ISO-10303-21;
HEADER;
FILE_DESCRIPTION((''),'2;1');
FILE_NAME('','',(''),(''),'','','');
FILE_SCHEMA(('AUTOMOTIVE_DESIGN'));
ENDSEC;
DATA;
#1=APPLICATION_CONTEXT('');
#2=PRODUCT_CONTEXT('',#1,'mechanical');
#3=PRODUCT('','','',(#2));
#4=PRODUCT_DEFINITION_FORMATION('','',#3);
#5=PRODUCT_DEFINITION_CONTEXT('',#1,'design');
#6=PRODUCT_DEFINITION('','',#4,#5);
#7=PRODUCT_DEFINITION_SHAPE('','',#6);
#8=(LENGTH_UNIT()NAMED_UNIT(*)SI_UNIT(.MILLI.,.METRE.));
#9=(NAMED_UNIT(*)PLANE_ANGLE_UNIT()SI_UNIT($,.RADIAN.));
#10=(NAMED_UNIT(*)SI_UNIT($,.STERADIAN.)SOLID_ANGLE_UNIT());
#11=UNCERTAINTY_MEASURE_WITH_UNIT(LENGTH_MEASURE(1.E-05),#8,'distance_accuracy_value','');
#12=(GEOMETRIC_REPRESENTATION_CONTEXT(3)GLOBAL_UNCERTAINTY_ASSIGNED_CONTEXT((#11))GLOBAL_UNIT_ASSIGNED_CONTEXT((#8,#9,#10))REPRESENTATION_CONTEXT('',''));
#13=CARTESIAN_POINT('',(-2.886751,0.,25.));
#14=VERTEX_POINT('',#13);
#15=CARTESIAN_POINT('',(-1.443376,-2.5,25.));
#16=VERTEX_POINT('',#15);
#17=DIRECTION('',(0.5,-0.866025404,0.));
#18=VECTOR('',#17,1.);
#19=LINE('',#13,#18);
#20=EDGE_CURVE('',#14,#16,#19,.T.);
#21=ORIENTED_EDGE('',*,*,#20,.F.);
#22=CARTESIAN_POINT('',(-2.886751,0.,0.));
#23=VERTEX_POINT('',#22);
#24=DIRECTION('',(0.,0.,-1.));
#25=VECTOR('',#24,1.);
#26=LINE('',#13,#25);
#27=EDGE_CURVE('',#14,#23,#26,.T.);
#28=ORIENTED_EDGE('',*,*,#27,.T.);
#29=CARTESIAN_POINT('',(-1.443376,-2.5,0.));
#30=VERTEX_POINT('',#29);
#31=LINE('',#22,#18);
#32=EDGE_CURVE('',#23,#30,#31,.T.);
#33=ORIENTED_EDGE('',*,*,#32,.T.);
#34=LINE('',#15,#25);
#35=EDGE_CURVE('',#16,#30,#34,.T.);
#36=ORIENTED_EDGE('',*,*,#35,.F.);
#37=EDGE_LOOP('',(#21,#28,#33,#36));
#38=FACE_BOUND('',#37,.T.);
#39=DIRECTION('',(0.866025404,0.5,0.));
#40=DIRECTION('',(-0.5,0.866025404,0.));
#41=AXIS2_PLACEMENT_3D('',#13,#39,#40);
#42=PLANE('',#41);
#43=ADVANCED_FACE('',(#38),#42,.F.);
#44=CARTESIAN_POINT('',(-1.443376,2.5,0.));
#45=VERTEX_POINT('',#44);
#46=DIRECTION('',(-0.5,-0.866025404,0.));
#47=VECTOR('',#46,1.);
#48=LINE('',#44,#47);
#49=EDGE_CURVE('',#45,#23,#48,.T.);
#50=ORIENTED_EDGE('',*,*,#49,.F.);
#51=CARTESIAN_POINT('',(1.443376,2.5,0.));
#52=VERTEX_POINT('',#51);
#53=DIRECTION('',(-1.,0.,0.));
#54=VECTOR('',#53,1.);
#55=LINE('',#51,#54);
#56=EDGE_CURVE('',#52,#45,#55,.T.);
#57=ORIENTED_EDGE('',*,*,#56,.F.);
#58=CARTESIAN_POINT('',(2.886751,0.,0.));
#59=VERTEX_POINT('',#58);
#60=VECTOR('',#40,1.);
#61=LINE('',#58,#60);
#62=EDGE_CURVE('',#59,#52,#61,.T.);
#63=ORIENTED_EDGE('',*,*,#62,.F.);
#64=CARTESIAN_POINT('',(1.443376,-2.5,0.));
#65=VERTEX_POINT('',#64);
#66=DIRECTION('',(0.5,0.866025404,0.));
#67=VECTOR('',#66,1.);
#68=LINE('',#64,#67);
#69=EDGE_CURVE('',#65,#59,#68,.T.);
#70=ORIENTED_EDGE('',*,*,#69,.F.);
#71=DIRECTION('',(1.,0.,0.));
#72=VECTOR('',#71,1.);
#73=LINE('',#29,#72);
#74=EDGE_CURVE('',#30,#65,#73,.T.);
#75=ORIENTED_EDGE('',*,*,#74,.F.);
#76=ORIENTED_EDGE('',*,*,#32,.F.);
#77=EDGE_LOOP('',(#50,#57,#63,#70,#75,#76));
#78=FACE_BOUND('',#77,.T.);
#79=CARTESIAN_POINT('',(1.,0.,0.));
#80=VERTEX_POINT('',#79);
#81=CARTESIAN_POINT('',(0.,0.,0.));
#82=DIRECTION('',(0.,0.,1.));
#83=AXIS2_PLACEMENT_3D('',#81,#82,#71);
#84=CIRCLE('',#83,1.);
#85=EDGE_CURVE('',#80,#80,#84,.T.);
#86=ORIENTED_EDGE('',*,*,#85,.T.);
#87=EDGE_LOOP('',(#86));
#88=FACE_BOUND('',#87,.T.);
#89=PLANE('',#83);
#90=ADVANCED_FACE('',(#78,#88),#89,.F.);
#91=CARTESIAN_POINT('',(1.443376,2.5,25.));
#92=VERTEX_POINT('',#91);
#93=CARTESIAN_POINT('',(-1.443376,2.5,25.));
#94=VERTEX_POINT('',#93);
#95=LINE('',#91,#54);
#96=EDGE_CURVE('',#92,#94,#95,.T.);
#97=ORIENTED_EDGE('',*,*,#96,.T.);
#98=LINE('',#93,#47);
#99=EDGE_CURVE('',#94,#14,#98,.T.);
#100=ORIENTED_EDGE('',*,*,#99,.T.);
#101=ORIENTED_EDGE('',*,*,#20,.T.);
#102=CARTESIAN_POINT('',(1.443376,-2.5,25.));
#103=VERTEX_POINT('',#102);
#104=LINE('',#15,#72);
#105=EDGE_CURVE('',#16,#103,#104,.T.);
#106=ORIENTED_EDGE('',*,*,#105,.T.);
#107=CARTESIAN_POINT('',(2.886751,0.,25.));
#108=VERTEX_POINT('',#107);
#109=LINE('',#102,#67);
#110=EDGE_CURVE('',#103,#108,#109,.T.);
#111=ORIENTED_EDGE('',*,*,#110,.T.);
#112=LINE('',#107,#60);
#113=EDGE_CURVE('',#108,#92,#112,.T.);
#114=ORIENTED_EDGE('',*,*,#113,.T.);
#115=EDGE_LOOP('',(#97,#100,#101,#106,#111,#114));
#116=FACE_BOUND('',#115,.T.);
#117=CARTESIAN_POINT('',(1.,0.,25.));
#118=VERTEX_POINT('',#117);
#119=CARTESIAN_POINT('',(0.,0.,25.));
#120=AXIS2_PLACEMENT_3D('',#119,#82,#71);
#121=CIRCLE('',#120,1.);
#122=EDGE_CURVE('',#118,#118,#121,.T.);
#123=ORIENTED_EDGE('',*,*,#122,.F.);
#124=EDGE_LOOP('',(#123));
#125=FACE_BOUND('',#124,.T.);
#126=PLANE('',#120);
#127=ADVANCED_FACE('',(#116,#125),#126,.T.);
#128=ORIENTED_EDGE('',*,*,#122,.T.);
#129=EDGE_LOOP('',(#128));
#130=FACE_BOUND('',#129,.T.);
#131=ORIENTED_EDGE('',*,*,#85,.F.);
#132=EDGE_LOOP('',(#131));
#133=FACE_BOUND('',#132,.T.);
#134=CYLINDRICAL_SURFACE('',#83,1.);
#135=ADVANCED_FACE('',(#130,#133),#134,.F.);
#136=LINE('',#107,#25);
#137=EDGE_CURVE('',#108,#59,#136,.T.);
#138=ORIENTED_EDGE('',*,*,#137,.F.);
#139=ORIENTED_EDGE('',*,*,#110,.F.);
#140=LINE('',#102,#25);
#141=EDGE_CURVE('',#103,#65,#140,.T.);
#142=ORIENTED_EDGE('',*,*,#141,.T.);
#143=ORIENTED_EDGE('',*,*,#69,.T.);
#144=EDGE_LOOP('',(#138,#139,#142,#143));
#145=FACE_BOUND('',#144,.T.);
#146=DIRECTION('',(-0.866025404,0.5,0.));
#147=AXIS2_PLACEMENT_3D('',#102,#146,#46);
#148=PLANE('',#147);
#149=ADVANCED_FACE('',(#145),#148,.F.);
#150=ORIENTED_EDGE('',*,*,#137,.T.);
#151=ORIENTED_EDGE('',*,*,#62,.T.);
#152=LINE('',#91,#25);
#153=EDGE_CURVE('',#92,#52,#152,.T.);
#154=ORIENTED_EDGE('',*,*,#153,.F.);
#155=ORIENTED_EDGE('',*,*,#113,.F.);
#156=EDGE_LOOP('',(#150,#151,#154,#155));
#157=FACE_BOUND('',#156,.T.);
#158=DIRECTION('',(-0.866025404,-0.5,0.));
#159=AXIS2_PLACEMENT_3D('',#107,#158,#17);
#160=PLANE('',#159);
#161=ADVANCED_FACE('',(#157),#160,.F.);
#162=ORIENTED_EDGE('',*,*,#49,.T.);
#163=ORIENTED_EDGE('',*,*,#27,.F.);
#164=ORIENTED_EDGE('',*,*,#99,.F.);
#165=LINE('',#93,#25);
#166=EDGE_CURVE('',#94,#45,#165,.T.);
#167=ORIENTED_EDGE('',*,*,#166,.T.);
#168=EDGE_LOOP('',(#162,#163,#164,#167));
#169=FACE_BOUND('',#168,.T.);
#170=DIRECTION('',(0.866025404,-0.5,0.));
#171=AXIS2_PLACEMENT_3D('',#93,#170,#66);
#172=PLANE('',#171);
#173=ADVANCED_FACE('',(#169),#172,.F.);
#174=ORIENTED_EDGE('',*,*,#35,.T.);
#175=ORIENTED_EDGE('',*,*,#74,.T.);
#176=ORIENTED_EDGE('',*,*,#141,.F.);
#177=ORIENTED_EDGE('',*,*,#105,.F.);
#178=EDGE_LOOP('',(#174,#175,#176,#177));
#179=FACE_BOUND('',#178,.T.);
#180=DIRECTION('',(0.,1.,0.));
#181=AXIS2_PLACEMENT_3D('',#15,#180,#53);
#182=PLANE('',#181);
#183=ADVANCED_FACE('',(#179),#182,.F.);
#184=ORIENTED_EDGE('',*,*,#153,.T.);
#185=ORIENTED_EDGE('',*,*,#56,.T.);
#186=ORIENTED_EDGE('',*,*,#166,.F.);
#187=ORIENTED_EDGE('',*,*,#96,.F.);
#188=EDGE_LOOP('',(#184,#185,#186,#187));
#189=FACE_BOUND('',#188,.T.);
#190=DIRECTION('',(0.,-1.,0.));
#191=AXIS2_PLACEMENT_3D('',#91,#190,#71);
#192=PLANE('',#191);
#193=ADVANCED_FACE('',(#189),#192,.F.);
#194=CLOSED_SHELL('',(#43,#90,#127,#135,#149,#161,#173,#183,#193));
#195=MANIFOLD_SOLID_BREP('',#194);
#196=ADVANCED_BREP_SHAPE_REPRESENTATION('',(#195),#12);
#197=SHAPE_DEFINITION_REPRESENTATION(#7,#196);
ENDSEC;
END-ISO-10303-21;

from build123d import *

# Parameters (mm, degrees)
BOSS_EXTRUDE1_DEPTH = 25
SKETCH2_R           = 1
CUT_EXTRUDE1_DEPTH  = 26.289984842


with BuildPart() as part:
    # Sketch1 → Boss-Extrude1 (new body)
    with BuildSketch(Plane.XY):
        Polygon((2.886751346, 0), (1.443375673, 2.5), (-1.443375673, 2.5), (-2.886751346, 0), (-1.443375673, -2.5), (1.443375673, -2.5), align=None)
    extrude(amount=BOSS_EXTRUDE1_DEPTH)

    # Sketch2 → Cut-Extrude1 (cut, through all)
    with BuildSketch(Plane.XY.offset(25)):
        Circle(SKETCH2_R)
    extrude(amount=-CUT_EXTRUDE1_DEPTH, mode=Mode.SUBTRACT)


solid = part.part
